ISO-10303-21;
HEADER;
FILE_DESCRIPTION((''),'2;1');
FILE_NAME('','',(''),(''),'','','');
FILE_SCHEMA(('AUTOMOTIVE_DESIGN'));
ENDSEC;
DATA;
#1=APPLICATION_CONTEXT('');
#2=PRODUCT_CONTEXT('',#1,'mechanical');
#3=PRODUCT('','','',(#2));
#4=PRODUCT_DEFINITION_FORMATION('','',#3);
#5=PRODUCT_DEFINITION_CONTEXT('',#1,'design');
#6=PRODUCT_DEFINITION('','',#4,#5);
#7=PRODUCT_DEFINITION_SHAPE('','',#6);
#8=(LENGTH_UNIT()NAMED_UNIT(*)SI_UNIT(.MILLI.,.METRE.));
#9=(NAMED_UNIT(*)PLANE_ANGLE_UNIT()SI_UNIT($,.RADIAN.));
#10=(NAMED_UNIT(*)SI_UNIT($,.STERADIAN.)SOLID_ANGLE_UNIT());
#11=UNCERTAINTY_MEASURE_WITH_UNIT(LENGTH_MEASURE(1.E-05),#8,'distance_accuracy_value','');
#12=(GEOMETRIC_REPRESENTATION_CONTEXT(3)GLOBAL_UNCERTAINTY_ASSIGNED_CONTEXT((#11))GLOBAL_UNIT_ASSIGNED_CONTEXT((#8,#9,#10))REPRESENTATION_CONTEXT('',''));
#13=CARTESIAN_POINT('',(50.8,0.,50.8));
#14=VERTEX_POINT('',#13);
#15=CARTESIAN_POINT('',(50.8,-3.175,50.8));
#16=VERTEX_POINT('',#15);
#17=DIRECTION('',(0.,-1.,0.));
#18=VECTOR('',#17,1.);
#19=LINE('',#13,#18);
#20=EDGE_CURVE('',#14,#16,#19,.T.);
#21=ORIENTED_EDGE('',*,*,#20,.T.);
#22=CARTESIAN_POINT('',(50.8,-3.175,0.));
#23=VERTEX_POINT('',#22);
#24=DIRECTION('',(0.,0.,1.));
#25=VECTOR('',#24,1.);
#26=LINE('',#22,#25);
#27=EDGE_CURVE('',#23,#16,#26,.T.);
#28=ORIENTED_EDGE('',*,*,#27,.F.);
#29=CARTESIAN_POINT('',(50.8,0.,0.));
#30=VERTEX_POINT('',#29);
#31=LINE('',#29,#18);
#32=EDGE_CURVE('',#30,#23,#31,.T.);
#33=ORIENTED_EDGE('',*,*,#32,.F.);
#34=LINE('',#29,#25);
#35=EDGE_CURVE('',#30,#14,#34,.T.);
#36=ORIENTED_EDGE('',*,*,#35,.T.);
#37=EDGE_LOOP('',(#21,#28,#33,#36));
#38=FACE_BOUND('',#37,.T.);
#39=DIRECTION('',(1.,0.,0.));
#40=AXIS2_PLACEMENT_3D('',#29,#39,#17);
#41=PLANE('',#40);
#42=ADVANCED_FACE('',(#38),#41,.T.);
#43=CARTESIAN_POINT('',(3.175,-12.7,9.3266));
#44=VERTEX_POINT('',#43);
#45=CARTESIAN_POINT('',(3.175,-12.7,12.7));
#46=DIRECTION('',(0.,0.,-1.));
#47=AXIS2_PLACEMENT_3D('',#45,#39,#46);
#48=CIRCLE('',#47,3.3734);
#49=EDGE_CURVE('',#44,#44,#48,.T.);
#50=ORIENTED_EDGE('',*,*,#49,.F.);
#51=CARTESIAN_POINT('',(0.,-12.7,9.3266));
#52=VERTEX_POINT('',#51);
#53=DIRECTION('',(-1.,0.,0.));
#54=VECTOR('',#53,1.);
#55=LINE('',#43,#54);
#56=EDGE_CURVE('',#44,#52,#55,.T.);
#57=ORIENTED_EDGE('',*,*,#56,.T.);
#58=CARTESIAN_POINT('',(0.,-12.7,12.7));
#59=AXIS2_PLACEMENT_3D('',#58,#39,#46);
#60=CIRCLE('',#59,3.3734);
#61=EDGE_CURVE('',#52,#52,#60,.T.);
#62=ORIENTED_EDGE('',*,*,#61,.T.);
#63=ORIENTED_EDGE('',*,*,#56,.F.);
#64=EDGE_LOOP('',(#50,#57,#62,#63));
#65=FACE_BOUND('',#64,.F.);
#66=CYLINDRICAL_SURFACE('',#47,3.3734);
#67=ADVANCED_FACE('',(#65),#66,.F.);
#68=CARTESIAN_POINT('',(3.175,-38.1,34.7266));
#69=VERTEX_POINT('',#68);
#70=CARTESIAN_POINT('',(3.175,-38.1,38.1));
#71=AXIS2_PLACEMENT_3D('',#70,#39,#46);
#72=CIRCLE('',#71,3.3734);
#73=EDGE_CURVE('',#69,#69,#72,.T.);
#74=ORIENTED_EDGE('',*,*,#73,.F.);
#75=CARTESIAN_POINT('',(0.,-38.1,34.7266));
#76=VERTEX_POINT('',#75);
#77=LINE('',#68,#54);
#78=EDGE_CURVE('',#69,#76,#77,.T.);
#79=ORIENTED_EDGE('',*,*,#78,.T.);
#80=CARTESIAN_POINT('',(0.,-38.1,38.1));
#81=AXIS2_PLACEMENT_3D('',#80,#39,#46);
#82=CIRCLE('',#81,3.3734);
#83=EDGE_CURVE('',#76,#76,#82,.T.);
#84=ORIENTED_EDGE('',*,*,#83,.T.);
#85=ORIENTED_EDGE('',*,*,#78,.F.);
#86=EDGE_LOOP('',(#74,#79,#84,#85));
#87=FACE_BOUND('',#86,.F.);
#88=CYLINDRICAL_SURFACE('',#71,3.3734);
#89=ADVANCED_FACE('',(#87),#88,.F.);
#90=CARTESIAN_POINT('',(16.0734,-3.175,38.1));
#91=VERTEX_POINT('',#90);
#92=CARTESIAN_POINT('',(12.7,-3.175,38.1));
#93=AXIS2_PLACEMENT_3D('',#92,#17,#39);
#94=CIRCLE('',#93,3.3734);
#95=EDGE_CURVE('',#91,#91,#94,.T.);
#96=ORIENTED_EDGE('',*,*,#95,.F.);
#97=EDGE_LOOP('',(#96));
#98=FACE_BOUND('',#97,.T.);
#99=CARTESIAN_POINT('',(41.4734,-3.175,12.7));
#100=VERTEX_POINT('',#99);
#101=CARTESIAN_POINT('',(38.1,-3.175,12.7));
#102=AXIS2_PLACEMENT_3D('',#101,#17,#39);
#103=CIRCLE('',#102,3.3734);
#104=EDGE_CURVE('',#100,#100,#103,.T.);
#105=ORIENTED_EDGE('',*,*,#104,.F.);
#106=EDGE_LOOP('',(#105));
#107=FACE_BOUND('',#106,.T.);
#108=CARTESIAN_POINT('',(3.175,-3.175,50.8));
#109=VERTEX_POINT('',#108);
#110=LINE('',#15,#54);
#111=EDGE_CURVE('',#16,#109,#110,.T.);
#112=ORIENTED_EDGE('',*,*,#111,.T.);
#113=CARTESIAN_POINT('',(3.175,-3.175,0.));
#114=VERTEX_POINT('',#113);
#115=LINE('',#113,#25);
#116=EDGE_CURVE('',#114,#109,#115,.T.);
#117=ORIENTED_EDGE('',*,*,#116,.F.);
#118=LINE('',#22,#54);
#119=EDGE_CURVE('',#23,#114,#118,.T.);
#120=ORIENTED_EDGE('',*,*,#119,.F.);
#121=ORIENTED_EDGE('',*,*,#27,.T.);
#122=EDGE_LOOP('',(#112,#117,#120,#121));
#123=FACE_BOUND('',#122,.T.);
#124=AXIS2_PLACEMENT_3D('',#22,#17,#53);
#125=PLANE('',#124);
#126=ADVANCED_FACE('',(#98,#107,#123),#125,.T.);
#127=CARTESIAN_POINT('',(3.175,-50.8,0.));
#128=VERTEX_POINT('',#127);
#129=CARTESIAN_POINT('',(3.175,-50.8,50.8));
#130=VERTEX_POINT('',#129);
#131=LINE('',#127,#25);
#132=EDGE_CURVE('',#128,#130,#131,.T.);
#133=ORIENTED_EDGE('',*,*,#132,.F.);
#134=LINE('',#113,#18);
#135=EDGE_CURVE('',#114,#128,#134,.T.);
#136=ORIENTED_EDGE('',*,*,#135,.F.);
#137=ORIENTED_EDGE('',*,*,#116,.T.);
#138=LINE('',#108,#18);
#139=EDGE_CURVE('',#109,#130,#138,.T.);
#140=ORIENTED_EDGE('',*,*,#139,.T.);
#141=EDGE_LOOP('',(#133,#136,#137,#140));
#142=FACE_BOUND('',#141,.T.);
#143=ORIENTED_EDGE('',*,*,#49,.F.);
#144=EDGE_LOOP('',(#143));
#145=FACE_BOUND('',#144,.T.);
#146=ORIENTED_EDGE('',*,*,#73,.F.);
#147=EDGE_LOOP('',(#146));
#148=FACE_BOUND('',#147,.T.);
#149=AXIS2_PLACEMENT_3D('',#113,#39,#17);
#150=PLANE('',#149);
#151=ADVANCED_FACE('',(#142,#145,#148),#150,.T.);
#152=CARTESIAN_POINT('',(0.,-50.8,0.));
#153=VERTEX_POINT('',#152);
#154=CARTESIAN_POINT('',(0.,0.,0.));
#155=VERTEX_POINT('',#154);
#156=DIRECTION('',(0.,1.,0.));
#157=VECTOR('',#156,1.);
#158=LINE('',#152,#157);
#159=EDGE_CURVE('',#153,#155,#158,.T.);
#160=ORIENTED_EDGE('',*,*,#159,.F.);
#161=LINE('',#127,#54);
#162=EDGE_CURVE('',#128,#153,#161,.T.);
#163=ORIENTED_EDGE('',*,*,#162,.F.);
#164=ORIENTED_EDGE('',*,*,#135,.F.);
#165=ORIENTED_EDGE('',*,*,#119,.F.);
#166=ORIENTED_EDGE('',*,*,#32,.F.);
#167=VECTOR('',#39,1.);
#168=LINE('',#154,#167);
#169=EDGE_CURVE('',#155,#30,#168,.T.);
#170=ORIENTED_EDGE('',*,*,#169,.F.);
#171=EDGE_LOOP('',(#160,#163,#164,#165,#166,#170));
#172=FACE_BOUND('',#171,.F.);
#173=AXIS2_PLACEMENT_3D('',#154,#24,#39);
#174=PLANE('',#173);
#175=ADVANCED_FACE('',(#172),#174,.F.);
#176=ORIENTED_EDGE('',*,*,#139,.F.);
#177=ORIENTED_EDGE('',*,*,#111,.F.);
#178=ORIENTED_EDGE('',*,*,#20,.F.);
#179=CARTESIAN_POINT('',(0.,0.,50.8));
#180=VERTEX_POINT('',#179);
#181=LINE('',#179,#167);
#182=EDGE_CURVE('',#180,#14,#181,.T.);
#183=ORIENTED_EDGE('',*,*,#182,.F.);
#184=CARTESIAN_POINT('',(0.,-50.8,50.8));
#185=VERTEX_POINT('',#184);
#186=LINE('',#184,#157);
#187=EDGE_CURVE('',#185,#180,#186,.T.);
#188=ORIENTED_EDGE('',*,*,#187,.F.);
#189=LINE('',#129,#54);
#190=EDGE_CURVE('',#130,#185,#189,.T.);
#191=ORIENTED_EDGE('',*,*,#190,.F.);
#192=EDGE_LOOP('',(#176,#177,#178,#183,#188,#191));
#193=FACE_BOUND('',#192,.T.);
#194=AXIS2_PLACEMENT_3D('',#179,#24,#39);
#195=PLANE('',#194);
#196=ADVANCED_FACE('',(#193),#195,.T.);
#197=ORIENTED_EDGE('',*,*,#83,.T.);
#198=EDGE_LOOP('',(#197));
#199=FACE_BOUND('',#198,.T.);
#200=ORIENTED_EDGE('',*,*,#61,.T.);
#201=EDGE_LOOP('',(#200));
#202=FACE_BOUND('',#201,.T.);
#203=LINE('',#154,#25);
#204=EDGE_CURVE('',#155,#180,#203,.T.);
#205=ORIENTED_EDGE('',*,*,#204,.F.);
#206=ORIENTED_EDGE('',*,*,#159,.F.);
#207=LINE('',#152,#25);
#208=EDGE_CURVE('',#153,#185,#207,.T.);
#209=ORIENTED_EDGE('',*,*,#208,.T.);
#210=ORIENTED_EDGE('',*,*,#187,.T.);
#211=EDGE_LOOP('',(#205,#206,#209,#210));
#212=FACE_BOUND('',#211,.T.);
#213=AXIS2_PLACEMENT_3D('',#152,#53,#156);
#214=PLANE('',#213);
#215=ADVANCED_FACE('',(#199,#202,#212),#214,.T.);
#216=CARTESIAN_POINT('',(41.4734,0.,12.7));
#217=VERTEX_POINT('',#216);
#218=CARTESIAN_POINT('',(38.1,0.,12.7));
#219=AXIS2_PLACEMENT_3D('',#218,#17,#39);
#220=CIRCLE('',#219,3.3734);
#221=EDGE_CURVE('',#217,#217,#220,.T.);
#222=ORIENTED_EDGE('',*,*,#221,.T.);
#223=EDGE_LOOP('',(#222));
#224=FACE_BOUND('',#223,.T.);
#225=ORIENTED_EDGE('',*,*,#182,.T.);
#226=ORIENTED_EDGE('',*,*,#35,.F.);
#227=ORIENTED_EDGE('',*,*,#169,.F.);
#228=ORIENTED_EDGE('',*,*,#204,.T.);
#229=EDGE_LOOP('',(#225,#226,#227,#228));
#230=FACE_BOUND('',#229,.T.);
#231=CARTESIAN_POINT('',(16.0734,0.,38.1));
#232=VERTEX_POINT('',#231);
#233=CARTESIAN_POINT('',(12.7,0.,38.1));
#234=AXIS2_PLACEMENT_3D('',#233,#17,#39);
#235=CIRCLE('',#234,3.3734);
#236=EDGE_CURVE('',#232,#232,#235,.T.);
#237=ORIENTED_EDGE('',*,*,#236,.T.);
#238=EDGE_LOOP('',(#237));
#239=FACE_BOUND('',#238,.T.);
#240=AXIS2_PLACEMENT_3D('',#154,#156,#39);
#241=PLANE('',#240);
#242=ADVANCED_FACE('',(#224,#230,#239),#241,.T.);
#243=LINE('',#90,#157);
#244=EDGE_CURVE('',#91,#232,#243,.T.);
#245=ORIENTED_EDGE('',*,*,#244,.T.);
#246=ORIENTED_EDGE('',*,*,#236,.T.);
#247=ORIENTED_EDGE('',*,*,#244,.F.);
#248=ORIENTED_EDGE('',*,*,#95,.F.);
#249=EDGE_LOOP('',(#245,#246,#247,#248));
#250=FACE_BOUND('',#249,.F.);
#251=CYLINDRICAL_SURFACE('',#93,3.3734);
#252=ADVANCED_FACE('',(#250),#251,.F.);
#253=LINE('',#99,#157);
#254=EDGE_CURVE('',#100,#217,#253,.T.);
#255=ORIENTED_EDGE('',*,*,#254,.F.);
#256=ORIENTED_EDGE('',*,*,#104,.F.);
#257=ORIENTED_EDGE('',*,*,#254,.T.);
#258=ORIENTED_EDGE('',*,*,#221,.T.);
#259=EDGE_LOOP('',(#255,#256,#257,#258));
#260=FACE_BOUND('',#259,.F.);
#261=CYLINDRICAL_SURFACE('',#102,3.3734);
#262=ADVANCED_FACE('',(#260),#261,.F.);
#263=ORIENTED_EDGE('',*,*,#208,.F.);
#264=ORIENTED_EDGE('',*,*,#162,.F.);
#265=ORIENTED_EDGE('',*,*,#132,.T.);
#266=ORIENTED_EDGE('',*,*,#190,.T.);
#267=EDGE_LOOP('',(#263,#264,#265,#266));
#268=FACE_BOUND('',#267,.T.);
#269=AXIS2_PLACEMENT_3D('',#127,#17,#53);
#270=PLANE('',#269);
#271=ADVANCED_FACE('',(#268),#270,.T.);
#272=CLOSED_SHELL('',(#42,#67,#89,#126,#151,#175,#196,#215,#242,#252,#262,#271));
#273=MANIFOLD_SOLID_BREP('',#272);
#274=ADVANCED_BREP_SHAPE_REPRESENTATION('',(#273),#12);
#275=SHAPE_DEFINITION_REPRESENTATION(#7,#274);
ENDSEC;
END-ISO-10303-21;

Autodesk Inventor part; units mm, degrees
ref_plane "YZ Plane" through (0, 0, 0) normal (1, 0, 0) x (0, 1, 0)
ref_plane "XZ Plane" through (0, 0, 0) normal (0, 1, 0) x (-1, 0, 0)
ref_plane "XY Plane" through (0, 0, 0) normal (0, 0, 1) x (1, 0, 0)
sketch "Sketch1" plane through (0, 0, 0) normal (0, 0, 1) x (1, 0, 0)
  line L0 (0, 0) -> (50.8, 0)
  line L1 (50.8, 0) -> (50.8, -3.175)
  line L2 (50.8, -3.175) -> (3.175, -3.175)
  line L3 (3.175, -3.175) -> (3.175, -50.8)
  line L4 (3.175, -50.8) -> (0, -50.8)
  line L5 (0, -50.8) -> (0, 0)
  dimension "d0" = 50.8
  dimension "d1" = 3.175
  dimension "d2" = 47.625
  dimension "d3" = 47.625
extrude "Extrusion1" add sketch "Sketch1" along normal blind 50.8
sketch "Sketch2" plane through (3.175, -50.8, 0) normal (1, 0, 0) x (0, 0, -1)
  line L0 (0, 50.8) -> (-50.8, 50.8) projected
  circle A0 centre (-38.1, 12.7) radius 3.3734
  circle A1 centre (-12.7, 38.1) radius 3.3734
  line L1 (0, 47.625) -> (0, 0) projected
  point P0 (-50.8, 0)
  dimension "d13" = 38.1
  dimension "d14" = 25.4
  dimension "d15" = 12.7
  dimension "d20" = 6.7469
  dimension "d21" = 6.7469
  dimension "d30" = 38.1
sketch "Sketch3" plane through (3.175, -3.175, 0) normal (0, -1, 0) x (1, 0, 0)
  circle A0 centre (9.525, 38.1) radius 3.3734
  circle A1 centre (34.925, 12.7) radius 3.3734
  line L0 (47.625, 0) -> (0, 0) projected
  line L1 (47.625, 0) -> (47.625, 50.8) projected
  line L2 (0, 50.8) -> (47.625, 50.8) projected
  line L3 (0, 0) -> (0, 50.8) projected
  point P0 (-3.175, 0)
  dimension "d22" = 6.7469
  dimension "d23" = 6.7469
  dimension "d24" = 12.7
  dimension "d25" = 12.7
  dimension "d26" = 12.7
  dimension "d27" = 9.525
extrude "Extrusion4" cut sketch "Sketch3" against normal blind 3.175 contours A0 | A1
extrude "Extrusion5" cut sketch "Sketch2" against normal blind 3.175
properties part number "angle gusset" material "Aluminum 6061"
